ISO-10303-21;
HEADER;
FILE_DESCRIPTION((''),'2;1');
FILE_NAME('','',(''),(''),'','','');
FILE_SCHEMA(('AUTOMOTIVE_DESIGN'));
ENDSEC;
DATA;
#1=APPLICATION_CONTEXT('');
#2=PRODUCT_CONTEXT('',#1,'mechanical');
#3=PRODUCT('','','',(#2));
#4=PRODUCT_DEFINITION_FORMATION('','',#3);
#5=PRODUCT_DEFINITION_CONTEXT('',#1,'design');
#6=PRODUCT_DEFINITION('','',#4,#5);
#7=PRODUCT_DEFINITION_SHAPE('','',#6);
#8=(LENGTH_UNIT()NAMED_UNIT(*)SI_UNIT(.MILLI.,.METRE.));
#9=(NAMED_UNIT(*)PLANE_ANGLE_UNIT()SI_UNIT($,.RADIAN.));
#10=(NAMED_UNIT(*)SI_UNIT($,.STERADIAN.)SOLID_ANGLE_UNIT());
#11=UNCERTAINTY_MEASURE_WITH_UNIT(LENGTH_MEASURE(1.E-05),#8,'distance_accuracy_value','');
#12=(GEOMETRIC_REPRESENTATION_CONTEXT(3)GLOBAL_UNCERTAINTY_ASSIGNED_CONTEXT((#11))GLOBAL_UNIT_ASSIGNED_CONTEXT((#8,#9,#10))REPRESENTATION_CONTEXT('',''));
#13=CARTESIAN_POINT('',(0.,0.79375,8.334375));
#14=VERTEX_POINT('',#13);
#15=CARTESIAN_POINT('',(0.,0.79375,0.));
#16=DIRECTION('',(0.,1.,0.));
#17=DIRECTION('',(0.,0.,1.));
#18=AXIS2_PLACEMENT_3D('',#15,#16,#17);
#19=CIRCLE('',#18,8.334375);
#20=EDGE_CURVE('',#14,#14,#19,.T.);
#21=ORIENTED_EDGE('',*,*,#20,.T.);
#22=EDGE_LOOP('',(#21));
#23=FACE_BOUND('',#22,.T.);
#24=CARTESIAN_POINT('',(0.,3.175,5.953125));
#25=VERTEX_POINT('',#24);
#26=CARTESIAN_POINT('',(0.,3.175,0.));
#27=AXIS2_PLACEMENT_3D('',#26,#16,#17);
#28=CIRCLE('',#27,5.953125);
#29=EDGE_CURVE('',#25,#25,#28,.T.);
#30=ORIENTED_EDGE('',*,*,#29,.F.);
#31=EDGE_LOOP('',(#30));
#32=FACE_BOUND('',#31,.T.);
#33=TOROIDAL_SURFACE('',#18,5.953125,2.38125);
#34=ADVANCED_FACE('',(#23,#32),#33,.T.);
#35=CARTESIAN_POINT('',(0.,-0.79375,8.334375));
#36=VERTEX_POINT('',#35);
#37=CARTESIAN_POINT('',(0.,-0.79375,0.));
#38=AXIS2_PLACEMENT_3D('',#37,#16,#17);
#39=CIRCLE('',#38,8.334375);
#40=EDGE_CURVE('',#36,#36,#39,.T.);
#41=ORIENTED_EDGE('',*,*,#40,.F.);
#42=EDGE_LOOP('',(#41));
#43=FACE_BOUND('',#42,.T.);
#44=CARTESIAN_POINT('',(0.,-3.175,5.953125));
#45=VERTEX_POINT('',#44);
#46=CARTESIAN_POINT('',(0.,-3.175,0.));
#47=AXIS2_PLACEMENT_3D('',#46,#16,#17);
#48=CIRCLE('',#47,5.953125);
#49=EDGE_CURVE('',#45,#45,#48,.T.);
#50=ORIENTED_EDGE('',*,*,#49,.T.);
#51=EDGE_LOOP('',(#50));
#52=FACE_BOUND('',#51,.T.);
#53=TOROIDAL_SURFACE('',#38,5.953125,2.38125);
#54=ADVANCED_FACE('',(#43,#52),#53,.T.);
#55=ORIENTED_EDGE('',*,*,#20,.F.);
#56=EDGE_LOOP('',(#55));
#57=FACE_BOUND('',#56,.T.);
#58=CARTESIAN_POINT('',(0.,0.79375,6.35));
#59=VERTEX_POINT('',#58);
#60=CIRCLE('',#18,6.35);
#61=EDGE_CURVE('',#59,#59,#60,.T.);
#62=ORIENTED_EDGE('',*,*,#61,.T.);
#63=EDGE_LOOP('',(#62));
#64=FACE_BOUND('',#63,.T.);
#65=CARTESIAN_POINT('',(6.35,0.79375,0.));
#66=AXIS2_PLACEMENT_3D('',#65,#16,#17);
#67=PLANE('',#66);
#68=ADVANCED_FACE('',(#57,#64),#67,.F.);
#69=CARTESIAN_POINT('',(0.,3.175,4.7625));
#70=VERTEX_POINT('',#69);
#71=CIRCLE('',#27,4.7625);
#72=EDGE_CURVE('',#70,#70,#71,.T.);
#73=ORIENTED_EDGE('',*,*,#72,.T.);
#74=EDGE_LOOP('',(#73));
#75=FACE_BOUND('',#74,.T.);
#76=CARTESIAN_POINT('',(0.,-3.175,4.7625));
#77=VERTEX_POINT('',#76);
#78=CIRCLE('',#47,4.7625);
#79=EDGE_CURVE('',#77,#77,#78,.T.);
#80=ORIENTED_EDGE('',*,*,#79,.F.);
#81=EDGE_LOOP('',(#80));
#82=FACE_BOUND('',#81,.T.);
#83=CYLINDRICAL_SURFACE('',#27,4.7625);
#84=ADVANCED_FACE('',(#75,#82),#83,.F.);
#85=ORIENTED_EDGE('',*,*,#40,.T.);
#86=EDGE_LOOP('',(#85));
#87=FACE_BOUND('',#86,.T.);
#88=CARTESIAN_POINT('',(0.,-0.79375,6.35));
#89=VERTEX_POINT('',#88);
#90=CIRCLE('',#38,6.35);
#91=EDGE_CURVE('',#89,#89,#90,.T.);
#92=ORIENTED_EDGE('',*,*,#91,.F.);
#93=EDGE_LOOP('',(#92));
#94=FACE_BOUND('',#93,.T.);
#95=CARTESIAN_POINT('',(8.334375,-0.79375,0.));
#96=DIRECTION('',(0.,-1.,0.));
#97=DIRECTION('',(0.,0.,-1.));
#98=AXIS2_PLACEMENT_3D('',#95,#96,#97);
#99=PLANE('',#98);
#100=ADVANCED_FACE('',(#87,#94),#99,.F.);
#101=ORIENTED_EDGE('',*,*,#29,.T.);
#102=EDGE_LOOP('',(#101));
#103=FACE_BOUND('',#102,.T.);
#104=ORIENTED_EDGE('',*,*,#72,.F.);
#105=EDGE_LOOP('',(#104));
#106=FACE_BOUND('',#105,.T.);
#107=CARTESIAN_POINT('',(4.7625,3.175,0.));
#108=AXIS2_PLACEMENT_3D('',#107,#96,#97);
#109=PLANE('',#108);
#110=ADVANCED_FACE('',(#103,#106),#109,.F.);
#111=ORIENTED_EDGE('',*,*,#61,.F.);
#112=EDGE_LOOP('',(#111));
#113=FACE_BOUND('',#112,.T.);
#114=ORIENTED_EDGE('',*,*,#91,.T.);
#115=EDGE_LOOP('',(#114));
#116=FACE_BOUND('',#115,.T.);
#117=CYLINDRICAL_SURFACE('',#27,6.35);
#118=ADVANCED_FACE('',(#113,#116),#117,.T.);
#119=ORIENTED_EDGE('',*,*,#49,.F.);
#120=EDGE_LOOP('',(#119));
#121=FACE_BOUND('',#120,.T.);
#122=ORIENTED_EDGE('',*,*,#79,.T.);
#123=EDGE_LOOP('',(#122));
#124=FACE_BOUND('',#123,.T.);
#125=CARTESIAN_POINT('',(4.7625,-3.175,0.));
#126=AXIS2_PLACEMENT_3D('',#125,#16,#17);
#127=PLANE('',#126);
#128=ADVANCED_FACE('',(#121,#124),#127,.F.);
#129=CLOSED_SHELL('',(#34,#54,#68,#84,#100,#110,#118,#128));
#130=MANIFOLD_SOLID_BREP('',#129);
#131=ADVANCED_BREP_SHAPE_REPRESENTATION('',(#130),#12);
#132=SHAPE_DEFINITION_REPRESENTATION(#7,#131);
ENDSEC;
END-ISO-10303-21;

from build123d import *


with BuildPart() as part:
    # Sketch2 → Revolve1 (revolve)
    with BuildSketch(Plane.XY):
        with BuildLine():
            Line((6.35, 0.79375), (8.334375, 0.79375))
            ThreePointArc((8.334375, 0.79375), (7.636923023, 2.477548023), (5.953125, 3.175))
            Line((5.953125, 3.175), (4.7625, 3.175))
            Line((4.7625, 3.175), (4.7625, -3.175))
            Line((4.7625, -3.175), (5.953125, -3.175))
            ThreePointArc((5.953125, -3.175), (7.636923023, -2.477548023), (8.334375, -0.79375))
            Line((8.334375, -0.79375), (6.35, -0.79375))
            Line((6.35, -0.79375), (6.35, 0.79375))
        make_face()
    revolve(axis=Axis((0, 3.175, 0), (0, -1, 0)))


solid = part.part
